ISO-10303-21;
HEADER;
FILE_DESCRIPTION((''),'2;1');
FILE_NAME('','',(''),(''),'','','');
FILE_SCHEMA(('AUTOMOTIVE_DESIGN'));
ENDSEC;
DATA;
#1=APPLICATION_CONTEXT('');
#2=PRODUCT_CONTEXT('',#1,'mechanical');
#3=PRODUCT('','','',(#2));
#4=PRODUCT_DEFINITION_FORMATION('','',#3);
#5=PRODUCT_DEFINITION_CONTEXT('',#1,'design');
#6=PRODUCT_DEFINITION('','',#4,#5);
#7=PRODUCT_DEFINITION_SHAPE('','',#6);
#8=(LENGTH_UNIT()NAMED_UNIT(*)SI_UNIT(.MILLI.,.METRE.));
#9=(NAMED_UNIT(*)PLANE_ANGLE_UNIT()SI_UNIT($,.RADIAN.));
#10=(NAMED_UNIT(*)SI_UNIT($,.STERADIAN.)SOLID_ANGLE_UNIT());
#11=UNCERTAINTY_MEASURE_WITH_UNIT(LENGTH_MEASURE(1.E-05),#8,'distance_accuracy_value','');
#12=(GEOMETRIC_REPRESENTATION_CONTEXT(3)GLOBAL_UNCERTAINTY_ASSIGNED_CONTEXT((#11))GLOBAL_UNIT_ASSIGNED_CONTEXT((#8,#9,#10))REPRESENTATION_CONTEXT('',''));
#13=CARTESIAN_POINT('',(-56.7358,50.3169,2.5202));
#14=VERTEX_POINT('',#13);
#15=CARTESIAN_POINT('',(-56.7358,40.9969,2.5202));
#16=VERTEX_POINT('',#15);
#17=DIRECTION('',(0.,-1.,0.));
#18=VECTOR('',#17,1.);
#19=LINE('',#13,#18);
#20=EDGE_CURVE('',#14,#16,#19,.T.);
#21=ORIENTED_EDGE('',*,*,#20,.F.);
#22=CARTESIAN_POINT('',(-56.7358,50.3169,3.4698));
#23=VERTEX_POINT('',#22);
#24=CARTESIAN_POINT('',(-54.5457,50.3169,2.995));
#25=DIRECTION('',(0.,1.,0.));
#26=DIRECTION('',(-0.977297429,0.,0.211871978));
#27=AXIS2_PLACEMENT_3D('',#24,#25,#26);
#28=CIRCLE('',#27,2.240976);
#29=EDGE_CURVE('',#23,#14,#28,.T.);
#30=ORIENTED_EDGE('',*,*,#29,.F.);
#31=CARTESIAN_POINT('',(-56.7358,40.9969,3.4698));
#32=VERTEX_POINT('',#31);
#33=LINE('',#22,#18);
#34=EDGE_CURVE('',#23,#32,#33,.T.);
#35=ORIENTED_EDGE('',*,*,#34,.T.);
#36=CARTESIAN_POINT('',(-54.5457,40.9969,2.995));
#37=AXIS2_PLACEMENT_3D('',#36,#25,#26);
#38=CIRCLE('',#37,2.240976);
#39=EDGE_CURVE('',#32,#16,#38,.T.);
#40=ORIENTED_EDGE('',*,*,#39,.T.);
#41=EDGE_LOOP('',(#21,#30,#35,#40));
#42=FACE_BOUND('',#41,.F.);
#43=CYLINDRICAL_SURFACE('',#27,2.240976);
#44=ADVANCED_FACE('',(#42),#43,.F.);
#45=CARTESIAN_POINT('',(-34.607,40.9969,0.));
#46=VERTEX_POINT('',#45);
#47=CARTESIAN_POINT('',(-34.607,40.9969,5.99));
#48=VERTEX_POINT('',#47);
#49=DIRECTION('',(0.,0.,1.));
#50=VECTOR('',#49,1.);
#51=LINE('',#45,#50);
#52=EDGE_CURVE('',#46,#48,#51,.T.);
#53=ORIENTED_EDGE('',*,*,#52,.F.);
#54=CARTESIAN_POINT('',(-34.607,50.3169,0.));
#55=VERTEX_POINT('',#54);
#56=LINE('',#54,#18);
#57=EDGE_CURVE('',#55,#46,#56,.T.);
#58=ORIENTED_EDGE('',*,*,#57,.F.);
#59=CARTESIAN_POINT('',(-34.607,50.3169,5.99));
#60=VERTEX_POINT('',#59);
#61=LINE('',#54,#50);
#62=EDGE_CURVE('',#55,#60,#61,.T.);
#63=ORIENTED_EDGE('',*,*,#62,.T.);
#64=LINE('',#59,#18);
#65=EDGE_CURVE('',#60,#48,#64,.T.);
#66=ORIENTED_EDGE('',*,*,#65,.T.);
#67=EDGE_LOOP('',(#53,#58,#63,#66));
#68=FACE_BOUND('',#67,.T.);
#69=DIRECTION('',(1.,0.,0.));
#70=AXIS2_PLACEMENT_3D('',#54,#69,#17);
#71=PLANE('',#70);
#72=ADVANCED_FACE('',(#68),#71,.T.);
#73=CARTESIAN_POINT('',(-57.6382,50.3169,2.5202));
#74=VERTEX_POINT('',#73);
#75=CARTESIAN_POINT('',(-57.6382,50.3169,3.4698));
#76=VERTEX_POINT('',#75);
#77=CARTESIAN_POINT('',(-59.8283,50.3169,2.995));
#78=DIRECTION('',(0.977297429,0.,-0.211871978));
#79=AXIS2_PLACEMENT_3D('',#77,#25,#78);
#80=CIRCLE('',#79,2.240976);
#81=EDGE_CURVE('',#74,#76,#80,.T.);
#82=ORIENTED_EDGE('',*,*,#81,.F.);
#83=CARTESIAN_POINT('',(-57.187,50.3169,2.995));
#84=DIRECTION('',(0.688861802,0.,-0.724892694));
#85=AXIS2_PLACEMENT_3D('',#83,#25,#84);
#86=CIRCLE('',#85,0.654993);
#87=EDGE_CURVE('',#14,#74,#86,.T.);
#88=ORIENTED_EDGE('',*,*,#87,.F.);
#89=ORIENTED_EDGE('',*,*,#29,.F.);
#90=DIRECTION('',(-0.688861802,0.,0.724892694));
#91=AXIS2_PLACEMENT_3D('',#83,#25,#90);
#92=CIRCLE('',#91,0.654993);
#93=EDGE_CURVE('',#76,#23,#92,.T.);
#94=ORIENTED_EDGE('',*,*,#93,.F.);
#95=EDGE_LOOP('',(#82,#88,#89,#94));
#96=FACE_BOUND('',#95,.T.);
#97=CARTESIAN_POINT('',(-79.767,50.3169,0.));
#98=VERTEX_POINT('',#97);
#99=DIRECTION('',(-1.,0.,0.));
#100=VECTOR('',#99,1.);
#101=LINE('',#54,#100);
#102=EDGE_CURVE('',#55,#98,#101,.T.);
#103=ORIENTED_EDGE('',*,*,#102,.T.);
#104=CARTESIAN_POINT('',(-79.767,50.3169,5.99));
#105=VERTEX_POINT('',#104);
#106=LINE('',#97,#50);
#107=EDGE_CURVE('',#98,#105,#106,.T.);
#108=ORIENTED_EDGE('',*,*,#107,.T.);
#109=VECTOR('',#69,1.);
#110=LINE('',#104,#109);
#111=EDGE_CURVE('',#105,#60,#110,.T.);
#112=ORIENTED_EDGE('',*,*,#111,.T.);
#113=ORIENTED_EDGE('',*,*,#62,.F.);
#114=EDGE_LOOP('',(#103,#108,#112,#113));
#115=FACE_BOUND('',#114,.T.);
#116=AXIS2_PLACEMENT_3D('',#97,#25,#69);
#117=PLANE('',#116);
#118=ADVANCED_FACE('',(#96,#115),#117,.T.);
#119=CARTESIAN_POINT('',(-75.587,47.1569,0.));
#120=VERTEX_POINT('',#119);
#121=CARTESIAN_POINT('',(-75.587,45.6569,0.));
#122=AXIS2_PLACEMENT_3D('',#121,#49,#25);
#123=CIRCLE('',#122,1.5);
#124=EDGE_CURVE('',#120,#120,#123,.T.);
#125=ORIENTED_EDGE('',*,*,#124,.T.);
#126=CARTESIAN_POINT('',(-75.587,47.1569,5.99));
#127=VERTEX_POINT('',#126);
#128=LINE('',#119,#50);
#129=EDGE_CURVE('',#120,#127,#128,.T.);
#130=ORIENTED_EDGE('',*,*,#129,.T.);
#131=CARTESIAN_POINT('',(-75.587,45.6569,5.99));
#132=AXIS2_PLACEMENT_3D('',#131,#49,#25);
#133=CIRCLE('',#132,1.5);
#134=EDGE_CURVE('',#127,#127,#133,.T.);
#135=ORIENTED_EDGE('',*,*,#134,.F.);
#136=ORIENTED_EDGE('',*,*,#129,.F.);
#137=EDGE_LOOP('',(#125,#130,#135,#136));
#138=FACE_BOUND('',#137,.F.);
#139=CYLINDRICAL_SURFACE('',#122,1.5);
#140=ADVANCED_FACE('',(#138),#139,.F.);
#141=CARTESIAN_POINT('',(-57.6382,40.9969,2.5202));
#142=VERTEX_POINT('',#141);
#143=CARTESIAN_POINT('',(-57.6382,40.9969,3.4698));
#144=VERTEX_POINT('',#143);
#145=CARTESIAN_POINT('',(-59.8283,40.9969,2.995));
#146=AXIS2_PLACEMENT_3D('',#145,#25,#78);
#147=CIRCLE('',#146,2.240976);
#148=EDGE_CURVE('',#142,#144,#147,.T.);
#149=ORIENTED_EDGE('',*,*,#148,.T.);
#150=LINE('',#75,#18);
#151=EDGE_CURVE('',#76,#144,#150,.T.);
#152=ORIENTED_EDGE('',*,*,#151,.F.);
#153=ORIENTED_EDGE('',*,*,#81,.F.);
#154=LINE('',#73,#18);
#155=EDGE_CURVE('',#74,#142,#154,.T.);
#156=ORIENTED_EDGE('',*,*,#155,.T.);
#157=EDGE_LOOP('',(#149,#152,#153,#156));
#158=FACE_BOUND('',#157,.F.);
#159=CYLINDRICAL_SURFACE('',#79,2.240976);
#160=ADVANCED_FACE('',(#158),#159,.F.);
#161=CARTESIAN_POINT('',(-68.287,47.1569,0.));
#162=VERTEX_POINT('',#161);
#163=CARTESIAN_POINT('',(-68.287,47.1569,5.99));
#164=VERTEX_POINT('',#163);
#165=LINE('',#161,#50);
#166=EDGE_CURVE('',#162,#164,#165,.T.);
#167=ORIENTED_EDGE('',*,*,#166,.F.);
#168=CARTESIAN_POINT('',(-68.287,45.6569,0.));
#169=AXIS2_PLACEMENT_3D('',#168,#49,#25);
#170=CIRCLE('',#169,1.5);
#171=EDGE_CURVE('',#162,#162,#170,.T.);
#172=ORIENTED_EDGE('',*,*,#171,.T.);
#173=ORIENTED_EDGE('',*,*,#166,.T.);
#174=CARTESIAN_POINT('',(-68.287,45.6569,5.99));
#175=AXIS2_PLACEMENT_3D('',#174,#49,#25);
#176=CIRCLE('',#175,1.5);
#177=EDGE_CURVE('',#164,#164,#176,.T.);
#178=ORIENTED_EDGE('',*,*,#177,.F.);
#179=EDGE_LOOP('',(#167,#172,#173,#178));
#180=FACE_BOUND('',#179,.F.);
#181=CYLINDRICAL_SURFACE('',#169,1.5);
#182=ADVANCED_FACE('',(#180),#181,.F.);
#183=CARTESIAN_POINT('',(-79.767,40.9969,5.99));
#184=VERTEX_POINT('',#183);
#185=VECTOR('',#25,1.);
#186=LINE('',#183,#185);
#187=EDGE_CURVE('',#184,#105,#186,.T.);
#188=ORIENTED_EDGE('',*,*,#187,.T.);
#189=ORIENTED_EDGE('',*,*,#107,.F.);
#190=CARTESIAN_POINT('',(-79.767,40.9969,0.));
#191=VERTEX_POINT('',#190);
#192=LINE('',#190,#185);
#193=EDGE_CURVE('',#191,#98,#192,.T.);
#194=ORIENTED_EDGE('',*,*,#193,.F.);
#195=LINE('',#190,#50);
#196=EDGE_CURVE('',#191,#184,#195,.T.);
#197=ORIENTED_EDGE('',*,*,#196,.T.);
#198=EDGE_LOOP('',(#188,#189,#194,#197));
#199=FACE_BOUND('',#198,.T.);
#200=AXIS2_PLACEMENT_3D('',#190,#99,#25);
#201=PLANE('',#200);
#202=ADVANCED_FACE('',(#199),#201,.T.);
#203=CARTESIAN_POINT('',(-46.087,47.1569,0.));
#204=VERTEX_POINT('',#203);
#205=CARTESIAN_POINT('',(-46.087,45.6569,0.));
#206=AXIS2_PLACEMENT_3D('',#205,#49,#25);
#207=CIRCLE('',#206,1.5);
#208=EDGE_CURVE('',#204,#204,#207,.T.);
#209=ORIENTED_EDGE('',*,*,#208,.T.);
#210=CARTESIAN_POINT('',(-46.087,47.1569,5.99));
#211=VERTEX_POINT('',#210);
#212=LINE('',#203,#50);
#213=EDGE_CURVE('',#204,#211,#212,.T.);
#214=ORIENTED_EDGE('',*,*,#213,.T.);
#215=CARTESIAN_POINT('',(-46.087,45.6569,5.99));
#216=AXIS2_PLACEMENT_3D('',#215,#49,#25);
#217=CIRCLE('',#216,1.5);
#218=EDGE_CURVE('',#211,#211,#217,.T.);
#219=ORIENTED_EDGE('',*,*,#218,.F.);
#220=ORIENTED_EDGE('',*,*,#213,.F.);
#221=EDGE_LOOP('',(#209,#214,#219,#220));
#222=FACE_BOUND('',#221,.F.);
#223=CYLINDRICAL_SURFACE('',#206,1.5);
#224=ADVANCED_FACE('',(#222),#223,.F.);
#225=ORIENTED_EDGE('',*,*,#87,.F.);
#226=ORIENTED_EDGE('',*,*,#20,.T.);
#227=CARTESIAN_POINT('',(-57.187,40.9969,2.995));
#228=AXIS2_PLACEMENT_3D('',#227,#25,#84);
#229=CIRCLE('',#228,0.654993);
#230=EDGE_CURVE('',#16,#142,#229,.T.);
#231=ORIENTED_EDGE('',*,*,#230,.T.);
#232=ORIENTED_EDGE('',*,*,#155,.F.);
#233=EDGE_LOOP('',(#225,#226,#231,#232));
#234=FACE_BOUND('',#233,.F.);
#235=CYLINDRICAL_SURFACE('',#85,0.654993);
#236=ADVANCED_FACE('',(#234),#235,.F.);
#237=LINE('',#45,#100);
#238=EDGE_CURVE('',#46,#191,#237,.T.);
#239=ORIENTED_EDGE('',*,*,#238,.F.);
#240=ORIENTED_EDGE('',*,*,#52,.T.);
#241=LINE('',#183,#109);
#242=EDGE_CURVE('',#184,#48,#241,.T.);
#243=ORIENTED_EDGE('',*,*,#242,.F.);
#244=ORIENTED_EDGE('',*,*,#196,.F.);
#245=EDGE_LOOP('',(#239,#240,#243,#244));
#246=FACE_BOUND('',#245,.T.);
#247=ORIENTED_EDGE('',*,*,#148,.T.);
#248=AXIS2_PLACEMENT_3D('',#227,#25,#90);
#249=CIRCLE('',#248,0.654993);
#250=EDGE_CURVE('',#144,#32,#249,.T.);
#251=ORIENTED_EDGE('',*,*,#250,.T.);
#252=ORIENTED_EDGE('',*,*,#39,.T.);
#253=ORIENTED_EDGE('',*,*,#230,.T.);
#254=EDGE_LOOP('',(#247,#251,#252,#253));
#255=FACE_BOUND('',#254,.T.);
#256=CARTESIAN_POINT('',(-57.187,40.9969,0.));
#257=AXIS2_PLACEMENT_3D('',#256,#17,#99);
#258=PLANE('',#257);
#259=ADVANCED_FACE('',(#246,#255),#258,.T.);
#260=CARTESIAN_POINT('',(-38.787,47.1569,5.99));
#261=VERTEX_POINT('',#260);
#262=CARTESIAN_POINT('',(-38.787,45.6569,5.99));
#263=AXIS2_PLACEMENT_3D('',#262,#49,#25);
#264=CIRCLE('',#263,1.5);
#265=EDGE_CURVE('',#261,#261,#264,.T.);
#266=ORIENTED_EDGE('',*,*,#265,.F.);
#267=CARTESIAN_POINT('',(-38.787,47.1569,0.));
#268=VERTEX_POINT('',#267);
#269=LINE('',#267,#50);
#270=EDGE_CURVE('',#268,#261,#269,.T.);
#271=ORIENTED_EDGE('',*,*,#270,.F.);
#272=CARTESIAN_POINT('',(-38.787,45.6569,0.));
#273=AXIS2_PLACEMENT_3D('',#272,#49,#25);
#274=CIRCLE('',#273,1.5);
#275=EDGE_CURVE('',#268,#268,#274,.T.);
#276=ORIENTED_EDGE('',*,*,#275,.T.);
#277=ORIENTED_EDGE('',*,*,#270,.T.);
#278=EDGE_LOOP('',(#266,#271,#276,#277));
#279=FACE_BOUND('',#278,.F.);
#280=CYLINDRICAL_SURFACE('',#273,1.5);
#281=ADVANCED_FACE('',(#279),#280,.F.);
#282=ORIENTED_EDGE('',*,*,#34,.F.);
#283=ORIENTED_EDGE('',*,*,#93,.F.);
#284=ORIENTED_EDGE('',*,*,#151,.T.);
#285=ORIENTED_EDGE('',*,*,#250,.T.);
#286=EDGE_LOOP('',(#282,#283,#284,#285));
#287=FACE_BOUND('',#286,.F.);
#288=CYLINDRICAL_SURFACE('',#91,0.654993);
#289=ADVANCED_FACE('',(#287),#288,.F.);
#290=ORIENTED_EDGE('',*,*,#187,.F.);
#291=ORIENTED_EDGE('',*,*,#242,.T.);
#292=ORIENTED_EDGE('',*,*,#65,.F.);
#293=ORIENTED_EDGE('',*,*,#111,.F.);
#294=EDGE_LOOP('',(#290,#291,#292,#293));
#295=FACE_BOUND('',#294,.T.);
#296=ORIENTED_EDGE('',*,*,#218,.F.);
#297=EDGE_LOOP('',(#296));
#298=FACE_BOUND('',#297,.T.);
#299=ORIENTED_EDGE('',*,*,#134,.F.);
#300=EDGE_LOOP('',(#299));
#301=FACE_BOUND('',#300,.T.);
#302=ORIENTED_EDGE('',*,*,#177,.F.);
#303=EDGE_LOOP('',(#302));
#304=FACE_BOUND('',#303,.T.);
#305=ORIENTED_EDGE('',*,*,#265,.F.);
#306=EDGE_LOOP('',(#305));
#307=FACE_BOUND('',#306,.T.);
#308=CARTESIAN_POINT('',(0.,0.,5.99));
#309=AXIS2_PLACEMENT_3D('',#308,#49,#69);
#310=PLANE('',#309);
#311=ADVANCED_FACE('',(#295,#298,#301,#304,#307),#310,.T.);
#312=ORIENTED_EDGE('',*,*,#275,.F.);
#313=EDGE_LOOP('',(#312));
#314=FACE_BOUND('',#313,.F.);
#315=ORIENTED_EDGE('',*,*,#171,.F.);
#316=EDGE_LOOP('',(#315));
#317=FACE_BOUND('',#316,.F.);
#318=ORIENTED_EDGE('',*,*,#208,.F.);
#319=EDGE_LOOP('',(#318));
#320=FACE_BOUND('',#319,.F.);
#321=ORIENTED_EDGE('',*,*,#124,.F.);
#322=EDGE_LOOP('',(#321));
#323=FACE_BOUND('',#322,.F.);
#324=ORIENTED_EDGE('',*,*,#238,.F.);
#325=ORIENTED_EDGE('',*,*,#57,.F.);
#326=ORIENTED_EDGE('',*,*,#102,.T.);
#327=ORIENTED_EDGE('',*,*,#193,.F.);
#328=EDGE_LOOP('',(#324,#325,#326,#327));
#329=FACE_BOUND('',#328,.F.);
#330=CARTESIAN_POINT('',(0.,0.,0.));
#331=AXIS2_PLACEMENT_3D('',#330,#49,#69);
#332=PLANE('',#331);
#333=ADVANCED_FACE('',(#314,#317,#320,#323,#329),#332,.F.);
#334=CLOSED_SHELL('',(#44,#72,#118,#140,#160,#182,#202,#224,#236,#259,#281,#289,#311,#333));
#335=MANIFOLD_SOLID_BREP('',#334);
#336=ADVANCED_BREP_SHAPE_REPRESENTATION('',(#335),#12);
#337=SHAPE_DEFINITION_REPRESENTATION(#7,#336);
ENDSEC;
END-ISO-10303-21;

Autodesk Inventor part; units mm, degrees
ref_plane "YZ Plane" through (0, 0, 0) normal (1, 0, 0) x (0, 1, 0)
ref_plane "XZ Plane" through (0, 0, 0) normal (0, 1, 0) x (-1, 0, 0)
ref_plane "XY Plane" through (0, 0, 0) normal (0, 0, 1) x (1, 0, 0)
sketch "Sketch1" plane through (0, 0, 0) normal (0, 0, 1) x (1, 0, 0)
  line L0 (-79.767, 50.3169) -> (-34.607, 50.3169)
  line L1 (-34.607, 50.3169) -> (-34.607, 40.9969)
  line L2 (-34.607, 40.9969) -> (-79.767, 40.9969)
  line L3 (-79.767, 40.9969) -> (-79.767, 50.3169)
  line L4 (-57.187, 40.9969) -> (-57.187, 50.3169)
  point P0 (0, 0)
  point P1 (-75.587, 45.6569)
  point P2 (-79.767, 45.6569)
  point P3 (-68.287, 45.6569)
  point P4 (-38.787, 45.6569)
  point P5 (-46.087, 45.6569)
  dimension "d0" = 45.16
  dimension "d1" = 9.32
  dimension "d2" = 4.18
  dimension "d3" = 7.3
extrude "Extrusion1" add sketch "Sketch1" along normal blind 5.99
hole "Hole1" at (-38.787, 45.6569, 0) at (-46.087, 45.6569, 0) at (-68.287, 45.6569, 0) at (-75.587, 45.6569, 0) direction (0, 0, 1) diameter 3 end through all
thread "Thread1" size "M3x0.5" class "6H" standard "ANSI Metric M Profile" full length
thread "Thread2" size "M3x0.5" class "6H" standard "ANSI Metric M Profile" full length
thread "Thread3" size "M3x0.5" class "6H" standard "ANSI Metric M Profile" full length
thread "Thread4" size "M3x0.5" class "6H" standard "ANSI Metric M Profile" full length
sketch "Sketch2" plane through (-79.767, 50.3169, 0) normal (0, 1, 0) x (1, 0, 0)
  line L0 (0, 0) -> (45.16, 0)
  line L1 (45.16, -5.99) -> (0, -5.99)
  arc A0 (23.0312, -3.4698) -> (23.0312, -2.5202) centre (25.2213, -2.995) ccw
  arc A1 (22.1288, -2.5202) -> (22.1288, -3.4698) centre (19.9387, -2.995) ccw
  arc A2 (22.1288, -3.4698) -> (23.0312, -3.4698) centre (22.58, -2.995) ccw
  arc A3 (23.0312, -2.5202) -> (22.1288, -2.5202) centre (22.58, -2.995) ccw
  point P0 (79.767, 0)
extrude "Extrusion2" cut sketch "Sketch2" against normal through all
properties part number "load_cell"
